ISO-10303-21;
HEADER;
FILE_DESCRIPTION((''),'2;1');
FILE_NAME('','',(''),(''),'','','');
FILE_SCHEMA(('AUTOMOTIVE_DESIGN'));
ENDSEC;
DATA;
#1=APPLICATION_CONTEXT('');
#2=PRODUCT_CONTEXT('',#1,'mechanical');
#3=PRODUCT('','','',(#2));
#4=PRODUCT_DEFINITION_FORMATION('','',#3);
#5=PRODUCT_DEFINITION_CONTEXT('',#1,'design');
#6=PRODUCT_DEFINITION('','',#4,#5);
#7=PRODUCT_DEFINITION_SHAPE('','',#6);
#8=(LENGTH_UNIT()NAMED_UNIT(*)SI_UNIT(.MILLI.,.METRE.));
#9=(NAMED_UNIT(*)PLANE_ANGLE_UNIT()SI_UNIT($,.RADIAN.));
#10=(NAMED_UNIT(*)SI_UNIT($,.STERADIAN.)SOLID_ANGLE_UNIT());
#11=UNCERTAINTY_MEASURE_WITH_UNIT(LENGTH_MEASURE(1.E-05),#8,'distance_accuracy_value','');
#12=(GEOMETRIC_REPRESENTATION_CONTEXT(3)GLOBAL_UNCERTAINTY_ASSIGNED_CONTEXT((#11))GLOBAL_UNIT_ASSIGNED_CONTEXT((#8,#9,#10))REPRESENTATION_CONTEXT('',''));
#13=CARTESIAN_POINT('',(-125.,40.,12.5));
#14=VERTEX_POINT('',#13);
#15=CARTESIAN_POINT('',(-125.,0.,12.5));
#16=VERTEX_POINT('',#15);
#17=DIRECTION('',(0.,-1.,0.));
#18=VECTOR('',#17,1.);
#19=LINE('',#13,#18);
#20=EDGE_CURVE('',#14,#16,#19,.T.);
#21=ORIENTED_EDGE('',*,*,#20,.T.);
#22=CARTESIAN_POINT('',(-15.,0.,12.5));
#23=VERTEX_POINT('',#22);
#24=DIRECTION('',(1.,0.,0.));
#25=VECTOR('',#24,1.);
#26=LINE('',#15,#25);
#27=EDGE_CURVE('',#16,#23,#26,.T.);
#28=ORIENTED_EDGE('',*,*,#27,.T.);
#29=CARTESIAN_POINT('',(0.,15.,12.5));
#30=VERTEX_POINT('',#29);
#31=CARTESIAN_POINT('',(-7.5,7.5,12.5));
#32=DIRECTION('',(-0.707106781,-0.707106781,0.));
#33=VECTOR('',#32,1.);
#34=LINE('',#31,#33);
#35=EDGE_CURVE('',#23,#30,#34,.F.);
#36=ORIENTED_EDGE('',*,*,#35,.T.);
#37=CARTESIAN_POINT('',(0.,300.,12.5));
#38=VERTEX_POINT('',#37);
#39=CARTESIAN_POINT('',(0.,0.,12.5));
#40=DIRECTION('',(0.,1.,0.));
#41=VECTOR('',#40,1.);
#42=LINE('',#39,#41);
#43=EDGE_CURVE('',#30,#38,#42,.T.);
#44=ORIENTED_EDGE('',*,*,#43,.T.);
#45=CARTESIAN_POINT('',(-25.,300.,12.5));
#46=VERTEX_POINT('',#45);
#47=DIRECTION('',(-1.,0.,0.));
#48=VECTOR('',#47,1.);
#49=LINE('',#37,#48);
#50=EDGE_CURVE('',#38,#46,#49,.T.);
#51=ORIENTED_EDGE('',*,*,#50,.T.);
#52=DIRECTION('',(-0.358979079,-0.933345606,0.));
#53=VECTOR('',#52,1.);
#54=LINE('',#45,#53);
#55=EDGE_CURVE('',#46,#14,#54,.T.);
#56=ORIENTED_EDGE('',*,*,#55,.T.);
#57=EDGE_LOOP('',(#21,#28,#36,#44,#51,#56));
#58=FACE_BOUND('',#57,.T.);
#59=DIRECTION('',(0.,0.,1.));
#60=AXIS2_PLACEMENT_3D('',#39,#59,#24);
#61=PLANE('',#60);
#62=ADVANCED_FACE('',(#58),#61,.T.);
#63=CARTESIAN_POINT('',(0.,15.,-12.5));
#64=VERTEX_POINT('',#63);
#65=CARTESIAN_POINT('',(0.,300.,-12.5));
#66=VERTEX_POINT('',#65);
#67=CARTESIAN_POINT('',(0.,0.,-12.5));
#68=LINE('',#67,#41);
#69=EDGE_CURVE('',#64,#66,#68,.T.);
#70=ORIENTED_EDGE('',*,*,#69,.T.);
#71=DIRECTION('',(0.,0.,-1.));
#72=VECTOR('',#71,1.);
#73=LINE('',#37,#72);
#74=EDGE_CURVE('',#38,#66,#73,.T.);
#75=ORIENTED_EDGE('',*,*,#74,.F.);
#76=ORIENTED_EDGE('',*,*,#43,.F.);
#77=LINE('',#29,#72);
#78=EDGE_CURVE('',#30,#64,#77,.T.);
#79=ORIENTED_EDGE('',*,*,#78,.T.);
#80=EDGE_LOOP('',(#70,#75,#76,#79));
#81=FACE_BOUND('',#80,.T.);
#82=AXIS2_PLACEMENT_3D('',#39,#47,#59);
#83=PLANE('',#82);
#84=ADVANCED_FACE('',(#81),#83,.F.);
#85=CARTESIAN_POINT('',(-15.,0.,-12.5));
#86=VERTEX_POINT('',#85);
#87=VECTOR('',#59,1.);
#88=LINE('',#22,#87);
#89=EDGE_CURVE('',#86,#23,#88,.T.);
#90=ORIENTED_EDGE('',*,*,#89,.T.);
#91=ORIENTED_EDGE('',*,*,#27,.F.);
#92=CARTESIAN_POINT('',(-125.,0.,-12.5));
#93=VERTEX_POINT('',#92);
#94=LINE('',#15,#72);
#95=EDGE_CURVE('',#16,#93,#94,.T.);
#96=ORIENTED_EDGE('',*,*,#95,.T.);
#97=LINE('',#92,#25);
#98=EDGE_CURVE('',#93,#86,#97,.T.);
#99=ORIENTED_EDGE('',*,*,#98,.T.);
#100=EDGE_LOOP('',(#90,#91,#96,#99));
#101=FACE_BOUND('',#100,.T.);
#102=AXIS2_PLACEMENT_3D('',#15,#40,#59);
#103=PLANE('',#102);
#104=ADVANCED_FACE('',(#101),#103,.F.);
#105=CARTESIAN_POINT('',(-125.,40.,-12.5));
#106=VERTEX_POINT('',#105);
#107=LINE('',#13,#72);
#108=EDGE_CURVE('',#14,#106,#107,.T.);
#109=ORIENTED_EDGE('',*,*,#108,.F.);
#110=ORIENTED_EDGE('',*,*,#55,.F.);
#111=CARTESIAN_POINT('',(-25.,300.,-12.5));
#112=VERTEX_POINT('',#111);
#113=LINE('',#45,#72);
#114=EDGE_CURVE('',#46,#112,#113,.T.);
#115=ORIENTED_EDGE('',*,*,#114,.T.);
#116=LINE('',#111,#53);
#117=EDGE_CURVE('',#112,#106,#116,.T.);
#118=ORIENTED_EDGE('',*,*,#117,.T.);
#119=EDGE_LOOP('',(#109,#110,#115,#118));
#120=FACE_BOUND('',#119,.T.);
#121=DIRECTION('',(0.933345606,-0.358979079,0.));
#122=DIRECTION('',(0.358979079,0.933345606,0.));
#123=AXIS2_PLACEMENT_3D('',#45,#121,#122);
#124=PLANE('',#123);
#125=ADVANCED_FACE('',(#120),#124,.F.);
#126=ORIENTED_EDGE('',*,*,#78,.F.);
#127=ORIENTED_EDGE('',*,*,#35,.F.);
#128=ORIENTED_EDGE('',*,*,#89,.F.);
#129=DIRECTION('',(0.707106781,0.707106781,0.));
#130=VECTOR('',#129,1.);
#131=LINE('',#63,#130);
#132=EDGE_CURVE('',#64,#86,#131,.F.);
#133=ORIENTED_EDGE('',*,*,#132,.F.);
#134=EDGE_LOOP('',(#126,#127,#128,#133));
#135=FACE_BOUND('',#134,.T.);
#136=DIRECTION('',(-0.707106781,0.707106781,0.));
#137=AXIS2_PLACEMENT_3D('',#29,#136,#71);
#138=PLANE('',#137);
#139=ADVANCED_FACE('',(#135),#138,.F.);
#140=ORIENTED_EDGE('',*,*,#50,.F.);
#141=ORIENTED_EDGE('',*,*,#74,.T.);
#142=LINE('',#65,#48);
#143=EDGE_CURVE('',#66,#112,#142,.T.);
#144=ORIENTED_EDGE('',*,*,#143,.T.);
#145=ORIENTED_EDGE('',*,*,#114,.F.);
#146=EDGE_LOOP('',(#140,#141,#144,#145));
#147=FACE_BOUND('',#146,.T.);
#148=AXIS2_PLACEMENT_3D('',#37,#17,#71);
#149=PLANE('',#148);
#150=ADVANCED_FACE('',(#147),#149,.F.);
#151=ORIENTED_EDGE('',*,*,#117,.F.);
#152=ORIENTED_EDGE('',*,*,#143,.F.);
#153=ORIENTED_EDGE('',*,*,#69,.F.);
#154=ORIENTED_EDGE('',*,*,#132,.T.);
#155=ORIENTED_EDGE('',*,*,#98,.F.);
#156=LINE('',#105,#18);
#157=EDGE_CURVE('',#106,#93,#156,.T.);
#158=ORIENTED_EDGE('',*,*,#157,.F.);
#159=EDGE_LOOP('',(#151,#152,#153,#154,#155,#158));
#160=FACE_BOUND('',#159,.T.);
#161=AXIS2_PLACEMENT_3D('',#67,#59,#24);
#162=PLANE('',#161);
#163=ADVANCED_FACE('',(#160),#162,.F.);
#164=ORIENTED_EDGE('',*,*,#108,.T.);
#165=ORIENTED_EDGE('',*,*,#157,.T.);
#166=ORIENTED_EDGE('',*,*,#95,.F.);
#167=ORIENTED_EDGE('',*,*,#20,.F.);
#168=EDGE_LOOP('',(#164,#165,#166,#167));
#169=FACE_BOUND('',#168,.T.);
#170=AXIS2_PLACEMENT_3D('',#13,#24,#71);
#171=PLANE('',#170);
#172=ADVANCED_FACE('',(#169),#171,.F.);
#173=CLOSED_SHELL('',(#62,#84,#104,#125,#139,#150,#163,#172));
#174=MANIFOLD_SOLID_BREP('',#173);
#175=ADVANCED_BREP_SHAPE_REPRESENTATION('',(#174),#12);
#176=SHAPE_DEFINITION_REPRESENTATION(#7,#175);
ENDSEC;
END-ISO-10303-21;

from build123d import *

# Parameters (mm, degrees)
EXTRUDE_1_DEPTH = 12.5
CHAMFER_1_SIZE  = 15


with BuildPart() as part:
    # Эскиз1 → Бобышка-Вытянуть1 (new body, symmetric)
    with BuildSketch(Plane.XY):
        Polygon((0, 300), (-25, 300), (-125, 40), (-125, 0), (0, 0), align=None)
    extrude(amount=EXTRUDE_1_DEPTH, both=True)

    # Фаска1
    chamfer_1_edges = [part.edges().sort_by_distance(p)[0] for p in [
        (0, 0, 0),
    ]]
    chamfer(chamfer_1_edges, length=CHAMFER_1_SIZE)


solid = part.part
